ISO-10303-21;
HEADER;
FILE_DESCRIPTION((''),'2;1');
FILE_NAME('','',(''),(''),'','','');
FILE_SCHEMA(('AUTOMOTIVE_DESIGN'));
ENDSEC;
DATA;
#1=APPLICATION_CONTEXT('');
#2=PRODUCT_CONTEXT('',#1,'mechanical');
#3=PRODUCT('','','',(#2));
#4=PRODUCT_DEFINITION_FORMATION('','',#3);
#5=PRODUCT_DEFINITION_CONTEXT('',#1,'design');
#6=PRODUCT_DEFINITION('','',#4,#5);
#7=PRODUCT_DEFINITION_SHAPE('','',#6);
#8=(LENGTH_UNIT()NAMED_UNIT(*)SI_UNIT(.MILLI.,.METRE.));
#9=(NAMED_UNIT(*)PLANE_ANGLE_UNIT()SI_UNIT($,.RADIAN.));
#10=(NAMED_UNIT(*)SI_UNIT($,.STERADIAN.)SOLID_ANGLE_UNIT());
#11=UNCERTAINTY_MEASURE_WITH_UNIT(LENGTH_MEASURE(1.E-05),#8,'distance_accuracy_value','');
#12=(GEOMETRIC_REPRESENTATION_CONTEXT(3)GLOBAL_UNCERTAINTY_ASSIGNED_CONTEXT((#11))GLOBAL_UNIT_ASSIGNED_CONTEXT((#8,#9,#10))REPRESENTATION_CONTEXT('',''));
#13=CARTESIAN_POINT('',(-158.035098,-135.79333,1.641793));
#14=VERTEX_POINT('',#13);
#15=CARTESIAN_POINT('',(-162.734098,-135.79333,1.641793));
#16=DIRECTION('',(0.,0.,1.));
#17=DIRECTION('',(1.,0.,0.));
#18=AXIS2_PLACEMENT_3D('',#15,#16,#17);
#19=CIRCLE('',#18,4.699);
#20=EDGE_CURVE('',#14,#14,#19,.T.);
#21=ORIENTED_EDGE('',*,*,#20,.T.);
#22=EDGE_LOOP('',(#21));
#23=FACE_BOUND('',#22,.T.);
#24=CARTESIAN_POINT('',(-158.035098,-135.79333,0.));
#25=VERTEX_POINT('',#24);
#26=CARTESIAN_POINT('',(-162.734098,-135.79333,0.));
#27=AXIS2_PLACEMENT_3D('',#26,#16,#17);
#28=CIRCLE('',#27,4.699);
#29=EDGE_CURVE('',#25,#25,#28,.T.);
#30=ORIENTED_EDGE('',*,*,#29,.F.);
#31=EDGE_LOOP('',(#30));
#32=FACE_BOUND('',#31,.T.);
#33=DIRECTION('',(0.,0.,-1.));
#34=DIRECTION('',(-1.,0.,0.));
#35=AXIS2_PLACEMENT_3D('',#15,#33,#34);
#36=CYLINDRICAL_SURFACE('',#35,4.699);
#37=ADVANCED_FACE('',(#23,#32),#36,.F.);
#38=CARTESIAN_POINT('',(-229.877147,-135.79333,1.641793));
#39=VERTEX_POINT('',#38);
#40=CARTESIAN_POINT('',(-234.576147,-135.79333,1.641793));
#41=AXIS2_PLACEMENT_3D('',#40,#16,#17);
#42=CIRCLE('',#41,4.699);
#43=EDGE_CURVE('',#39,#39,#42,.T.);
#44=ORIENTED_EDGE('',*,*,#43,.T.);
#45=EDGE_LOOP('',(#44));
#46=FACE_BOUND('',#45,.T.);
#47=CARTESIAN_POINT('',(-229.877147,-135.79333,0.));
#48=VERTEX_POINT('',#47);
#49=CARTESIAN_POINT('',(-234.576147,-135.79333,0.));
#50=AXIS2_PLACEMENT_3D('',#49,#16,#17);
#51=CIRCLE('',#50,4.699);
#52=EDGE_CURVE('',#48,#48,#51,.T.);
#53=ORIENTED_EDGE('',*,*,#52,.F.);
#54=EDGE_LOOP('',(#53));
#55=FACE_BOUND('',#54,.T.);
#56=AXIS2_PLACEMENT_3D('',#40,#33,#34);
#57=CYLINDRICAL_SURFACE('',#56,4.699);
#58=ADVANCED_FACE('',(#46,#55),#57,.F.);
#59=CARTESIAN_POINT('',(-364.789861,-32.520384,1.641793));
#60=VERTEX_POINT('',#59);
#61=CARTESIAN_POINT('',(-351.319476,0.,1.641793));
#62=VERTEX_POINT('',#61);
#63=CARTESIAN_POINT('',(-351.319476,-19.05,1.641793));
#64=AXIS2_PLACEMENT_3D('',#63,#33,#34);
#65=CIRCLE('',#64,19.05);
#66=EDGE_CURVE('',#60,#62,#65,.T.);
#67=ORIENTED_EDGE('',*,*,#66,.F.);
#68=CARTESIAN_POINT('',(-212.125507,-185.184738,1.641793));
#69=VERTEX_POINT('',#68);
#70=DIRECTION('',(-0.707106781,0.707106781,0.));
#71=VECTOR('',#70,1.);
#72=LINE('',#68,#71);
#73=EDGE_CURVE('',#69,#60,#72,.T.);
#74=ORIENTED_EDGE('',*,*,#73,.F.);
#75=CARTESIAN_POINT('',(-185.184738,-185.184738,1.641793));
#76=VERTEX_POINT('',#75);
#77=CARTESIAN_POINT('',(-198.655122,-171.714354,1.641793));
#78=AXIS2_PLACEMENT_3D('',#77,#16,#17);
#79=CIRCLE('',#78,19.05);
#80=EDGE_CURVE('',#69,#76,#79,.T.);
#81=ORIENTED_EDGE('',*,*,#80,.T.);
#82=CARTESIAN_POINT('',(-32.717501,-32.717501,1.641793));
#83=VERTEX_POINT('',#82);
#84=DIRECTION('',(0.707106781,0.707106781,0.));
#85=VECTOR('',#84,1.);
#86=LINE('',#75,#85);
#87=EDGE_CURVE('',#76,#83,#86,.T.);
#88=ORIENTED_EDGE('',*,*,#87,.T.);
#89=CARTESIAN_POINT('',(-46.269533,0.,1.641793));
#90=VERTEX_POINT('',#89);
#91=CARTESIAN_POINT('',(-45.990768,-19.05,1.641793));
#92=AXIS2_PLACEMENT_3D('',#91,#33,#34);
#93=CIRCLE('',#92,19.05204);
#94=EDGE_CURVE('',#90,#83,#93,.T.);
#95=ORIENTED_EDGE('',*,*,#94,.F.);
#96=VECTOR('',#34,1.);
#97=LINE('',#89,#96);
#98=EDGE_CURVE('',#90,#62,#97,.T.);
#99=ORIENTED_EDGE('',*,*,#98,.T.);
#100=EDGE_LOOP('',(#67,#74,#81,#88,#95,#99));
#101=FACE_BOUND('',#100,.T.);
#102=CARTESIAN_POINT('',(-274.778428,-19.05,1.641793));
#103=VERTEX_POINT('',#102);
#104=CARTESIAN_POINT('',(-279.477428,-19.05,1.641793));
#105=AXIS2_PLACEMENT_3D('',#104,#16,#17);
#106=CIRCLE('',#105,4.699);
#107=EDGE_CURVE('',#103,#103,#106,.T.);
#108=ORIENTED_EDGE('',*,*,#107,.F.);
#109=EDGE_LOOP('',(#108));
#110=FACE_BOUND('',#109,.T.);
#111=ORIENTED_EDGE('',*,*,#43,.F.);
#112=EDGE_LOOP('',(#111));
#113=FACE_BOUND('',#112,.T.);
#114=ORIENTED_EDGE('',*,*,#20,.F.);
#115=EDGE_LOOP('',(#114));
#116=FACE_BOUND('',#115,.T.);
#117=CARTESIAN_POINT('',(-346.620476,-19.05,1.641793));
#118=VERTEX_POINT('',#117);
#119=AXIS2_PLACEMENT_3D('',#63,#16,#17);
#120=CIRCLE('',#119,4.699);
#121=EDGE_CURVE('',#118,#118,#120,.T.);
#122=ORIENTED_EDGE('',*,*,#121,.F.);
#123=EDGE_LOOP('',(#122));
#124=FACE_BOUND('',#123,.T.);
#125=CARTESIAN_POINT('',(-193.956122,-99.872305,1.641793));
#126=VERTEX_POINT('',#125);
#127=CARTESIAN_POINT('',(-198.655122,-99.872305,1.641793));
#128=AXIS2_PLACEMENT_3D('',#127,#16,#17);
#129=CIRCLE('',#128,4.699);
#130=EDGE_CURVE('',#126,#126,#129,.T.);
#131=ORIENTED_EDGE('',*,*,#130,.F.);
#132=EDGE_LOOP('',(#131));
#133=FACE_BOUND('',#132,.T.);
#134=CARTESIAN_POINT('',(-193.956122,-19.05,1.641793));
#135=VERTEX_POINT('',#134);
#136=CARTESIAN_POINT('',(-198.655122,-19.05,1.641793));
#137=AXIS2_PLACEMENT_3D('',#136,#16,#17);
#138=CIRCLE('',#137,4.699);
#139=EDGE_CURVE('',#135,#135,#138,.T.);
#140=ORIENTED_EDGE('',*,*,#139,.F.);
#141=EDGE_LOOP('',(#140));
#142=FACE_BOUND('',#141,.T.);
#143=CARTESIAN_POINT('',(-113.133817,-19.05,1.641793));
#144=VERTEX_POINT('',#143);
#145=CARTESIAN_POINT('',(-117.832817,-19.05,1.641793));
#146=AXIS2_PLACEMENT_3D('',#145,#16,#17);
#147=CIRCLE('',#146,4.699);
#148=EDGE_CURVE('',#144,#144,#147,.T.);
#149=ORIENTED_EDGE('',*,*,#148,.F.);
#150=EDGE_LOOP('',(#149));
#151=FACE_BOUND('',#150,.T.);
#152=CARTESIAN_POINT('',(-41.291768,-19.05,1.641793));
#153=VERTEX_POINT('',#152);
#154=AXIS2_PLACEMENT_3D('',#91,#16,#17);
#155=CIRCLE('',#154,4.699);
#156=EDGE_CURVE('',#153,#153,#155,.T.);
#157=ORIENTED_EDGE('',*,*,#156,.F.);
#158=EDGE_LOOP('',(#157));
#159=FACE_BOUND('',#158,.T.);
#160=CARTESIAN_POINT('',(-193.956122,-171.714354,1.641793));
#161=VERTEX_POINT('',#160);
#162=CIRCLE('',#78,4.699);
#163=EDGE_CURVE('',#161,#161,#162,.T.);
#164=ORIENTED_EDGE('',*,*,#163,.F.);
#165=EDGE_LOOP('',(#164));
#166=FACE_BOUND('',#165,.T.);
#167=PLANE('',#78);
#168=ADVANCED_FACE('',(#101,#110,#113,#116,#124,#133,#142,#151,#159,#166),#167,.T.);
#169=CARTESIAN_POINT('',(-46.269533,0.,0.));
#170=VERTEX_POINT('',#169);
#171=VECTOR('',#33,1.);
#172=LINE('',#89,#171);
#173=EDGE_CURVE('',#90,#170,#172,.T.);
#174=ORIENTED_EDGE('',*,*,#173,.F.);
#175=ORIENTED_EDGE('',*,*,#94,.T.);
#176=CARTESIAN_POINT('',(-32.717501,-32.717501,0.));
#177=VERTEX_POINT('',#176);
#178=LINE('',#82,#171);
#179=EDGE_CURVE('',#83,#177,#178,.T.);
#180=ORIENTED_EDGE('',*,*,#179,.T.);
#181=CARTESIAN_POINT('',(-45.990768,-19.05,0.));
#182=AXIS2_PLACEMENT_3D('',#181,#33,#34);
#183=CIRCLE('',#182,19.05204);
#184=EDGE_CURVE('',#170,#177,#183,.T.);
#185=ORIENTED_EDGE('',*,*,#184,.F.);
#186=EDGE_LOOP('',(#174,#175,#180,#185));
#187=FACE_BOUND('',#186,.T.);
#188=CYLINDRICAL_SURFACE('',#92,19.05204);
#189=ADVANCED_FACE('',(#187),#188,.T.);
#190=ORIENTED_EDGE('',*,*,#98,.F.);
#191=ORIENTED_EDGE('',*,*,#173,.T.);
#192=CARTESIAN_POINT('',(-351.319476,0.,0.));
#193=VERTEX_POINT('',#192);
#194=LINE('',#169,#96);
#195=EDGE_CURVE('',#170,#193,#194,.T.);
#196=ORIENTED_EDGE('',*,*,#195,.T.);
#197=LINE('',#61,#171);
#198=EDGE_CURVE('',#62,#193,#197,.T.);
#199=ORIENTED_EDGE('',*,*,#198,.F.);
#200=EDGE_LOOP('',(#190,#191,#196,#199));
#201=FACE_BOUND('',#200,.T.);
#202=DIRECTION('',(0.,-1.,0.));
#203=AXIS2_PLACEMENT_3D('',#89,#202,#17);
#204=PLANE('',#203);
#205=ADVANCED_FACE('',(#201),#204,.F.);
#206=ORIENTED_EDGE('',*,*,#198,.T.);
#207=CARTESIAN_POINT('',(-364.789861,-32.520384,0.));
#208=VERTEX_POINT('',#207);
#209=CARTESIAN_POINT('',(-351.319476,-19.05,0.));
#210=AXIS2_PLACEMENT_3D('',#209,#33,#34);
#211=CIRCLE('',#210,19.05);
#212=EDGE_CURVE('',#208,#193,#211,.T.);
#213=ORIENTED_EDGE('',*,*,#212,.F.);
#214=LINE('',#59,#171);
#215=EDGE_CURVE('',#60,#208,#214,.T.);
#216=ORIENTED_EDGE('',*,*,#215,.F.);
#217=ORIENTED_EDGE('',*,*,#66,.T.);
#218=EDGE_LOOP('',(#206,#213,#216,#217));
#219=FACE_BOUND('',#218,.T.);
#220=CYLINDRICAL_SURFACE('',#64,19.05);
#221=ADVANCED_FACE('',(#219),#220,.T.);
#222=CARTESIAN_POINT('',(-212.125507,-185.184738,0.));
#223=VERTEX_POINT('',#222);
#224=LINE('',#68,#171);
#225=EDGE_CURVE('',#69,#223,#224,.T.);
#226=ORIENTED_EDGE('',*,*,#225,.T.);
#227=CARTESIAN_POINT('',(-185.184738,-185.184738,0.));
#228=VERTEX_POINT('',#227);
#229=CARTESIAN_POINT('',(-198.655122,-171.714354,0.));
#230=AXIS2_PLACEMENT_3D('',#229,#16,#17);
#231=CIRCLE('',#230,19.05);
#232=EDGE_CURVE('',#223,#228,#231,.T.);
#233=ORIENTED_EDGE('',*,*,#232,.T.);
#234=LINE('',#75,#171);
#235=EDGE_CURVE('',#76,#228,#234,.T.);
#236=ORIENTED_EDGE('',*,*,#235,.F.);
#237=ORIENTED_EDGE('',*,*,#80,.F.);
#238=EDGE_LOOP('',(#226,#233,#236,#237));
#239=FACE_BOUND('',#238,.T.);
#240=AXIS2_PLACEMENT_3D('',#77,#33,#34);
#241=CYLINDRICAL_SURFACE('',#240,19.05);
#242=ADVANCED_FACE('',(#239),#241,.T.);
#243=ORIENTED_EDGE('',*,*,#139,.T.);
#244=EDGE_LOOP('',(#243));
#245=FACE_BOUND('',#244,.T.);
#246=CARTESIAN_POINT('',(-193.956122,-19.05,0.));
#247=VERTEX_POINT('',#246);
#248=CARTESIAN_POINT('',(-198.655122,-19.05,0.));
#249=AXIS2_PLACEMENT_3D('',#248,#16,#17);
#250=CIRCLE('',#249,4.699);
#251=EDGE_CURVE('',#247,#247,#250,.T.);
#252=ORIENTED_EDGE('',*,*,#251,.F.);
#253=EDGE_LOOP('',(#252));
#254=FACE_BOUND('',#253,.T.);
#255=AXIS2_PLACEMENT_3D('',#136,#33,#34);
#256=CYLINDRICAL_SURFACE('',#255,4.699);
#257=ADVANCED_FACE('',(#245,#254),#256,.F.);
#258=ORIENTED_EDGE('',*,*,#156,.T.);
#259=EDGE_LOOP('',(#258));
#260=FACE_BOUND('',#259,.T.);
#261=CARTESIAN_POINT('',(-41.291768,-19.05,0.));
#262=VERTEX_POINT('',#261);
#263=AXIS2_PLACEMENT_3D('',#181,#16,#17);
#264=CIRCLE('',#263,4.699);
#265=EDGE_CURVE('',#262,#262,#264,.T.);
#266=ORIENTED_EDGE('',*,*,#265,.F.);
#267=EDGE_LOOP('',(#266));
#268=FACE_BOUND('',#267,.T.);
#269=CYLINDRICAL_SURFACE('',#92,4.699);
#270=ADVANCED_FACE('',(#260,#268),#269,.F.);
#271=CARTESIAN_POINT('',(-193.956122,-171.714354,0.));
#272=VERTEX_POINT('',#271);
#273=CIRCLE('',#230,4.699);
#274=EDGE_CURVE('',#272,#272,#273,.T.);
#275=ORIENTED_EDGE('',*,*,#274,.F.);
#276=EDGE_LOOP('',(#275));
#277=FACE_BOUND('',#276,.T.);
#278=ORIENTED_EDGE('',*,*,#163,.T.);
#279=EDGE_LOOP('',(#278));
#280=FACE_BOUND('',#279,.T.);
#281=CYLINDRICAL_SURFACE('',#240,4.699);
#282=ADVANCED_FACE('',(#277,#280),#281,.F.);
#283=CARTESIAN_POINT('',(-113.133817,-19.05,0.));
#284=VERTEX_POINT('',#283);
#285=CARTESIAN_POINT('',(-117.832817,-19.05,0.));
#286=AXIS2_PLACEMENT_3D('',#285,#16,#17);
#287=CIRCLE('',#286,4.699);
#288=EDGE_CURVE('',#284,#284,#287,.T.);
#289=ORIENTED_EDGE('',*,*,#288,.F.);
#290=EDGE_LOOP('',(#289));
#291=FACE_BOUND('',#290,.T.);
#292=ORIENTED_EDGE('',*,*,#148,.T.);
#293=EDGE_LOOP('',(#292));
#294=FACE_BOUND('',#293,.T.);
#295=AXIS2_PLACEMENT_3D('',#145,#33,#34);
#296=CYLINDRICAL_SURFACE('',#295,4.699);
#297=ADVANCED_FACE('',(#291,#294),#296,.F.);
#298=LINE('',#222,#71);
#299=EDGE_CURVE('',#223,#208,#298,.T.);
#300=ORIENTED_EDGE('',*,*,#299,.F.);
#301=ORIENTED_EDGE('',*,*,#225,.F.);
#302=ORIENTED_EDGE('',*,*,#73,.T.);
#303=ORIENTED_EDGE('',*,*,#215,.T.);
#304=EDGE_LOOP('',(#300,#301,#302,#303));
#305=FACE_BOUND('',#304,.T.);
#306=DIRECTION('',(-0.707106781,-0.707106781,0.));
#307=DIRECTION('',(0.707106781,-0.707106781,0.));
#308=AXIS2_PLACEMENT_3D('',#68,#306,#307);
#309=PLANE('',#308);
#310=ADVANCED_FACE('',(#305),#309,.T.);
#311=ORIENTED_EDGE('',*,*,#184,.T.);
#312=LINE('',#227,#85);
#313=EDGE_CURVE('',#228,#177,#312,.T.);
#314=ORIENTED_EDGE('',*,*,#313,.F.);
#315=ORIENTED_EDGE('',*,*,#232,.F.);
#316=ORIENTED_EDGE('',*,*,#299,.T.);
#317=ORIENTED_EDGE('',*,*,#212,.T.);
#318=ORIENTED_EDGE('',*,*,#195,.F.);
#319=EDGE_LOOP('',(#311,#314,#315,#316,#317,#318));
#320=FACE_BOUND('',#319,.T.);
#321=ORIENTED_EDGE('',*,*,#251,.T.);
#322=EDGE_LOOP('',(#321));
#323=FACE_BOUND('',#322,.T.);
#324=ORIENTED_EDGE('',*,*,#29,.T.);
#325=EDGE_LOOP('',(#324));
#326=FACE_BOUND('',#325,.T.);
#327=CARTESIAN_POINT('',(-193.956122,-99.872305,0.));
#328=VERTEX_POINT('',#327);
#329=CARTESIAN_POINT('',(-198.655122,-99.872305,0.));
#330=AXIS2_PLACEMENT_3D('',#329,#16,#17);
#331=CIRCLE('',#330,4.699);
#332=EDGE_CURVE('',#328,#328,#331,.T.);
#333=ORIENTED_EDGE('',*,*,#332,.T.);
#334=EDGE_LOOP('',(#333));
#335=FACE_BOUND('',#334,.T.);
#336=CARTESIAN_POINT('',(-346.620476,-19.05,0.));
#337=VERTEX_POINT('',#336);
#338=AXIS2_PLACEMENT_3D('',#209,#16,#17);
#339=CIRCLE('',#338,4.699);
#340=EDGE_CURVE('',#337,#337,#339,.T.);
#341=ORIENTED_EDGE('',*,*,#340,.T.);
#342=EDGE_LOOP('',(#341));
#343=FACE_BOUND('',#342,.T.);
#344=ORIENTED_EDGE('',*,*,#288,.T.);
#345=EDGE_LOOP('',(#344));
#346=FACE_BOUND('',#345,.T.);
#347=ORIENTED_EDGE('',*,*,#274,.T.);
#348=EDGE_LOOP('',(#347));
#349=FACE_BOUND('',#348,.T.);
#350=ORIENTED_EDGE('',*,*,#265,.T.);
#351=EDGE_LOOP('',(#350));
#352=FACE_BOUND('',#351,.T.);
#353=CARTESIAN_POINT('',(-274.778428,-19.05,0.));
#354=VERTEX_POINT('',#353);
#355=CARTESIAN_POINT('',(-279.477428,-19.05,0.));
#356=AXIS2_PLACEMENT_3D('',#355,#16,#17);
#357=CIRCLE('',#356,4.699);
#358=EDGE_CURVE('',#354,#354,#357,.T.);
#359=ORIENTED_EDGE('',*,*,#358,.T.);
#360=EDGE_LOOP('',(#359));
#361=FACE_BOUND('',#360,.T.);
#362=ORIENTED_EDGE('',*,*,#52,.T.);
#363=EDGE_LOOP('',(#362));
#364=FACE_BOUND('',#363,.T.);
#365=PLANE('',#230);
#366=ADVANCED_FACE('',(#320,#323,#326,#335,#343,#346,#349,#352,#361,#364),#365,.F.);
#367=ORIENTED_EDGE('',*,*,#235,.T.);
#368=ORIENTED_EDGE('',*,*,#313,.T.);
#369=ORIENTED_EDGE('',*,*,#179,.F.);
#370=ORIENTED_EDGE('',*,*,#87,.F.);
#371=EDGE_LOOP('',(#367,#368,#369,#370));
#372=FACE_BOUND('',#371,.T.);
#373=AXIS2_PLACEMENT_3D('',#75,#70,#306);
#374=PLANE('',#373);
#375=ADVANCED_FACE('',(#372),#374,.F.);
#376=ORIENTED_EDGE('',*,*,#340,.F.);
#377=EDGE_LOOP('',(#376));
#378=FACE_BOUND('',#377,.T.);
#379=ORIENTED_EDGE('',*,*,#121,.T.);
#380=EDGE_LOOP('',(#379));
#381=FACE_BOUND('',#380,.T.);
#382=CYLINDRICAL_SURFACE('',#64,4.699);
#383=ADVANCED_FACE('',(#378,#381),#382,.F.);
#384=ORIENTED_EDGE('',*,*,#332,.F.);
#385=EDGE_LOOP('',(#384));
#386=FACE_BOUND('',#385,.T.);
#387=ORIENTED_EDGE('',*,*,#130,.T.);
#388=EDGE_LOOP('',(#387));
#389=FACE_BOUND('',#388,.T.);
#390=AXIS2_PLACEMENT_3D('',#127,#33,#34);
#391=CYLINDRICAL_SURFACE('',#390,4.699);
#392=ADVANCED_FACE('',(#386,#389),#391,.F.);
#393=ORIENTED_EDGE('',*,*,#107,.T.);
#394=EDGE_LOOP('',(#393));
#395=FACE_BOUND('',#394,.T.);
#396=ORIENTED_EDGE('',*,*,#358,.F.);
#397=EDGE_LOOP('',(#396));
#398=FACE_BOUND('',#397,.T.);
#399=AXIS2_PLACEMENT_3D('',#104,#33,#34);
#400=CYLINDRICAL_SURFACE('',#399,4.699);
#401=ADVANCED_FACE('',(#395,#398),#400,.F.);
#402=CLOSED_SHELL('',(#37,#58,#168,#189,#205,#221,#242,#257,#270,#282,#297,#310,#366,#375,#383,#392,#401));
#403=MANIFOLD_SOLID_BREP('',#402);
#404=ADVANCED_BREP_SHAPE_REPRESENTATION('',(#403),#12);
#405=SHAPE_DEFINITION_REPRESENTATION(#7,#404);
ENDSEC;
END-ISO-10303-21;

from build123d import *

# Parameters (mm, degrees)
SKETCH1_R           = 4.699
BOSS_EXTRUDE3_DEPTH = 1.641793186


with BuildPart() as part:
    # Sketch1 → Boss-Extrude3 (new body)
    with BuildSketch(Plane.XY):
        with BuildLine():
            Line((-46.269533378, 0), (-351.31947646, 0))
            ThreePointArc((-351.31947646, 0), (-368.919381572, -11.759880611), (-364.789860651, -32.520384191))
            Line((-364.789860651, -32.520384191), (-212.125506603, -185.184738239))
            ThreePointArc((-212.125506603, -185.184738239), (-198.655122421, -190.764354058), (-185.184738239, -185.184738239))
            Line((-185.184738239, -185.184738239), (-32.717500753, -32.717500753))
            ThreePointArc((-32.717500753, -32.717500753), (-28.388979015, -11.759100083), (-46.269533378, 0))
        make_face()
        with Locations((-198.655122421, -19.05)):
            Circle(SKETCH1_R, mode=Mode.SUBTRACT)
        with Locations((-279.477427511, -19.05)):
            Circle(SKETCH1_R, mode=Mode.SUBTRACT)
        with Locations((-117.832817213, -19.05)):
            Circle(SKETCH1_R, mode=Mode.SUBTRACT)
        with Locations((-351.319476479, -19.05)):
            Circle(SKETCH1_R, mode=Mode.SUBTRACT)
        with Locations((-45.990768365, -19.05)):
            Circle(SKETCH1_R, mode=Mode.SUBTRACT)
        with Locations((-198.655122421, -171.714354057)):
            Circle(SKETCH1_R, mode=Mode.SUBTRACT)
        with Locations((-162.734097937, -135.793329573)):
            Circle(SKETCH1_R, mode=Mode.SUBTRACT)
        with Locations((-234.576146906, -135.793329573)):
            Circle(SKETCH1_R, mode=Mode.SUBTRACT)
        with Locations((-198.655122421, -99.872305089)):
            Circle(SKETCH1_R, mode=Mode.SUBTRACT)
    extrude(amount=BOSS_EXTRUDE3_DEPTH)


solid = part.part
